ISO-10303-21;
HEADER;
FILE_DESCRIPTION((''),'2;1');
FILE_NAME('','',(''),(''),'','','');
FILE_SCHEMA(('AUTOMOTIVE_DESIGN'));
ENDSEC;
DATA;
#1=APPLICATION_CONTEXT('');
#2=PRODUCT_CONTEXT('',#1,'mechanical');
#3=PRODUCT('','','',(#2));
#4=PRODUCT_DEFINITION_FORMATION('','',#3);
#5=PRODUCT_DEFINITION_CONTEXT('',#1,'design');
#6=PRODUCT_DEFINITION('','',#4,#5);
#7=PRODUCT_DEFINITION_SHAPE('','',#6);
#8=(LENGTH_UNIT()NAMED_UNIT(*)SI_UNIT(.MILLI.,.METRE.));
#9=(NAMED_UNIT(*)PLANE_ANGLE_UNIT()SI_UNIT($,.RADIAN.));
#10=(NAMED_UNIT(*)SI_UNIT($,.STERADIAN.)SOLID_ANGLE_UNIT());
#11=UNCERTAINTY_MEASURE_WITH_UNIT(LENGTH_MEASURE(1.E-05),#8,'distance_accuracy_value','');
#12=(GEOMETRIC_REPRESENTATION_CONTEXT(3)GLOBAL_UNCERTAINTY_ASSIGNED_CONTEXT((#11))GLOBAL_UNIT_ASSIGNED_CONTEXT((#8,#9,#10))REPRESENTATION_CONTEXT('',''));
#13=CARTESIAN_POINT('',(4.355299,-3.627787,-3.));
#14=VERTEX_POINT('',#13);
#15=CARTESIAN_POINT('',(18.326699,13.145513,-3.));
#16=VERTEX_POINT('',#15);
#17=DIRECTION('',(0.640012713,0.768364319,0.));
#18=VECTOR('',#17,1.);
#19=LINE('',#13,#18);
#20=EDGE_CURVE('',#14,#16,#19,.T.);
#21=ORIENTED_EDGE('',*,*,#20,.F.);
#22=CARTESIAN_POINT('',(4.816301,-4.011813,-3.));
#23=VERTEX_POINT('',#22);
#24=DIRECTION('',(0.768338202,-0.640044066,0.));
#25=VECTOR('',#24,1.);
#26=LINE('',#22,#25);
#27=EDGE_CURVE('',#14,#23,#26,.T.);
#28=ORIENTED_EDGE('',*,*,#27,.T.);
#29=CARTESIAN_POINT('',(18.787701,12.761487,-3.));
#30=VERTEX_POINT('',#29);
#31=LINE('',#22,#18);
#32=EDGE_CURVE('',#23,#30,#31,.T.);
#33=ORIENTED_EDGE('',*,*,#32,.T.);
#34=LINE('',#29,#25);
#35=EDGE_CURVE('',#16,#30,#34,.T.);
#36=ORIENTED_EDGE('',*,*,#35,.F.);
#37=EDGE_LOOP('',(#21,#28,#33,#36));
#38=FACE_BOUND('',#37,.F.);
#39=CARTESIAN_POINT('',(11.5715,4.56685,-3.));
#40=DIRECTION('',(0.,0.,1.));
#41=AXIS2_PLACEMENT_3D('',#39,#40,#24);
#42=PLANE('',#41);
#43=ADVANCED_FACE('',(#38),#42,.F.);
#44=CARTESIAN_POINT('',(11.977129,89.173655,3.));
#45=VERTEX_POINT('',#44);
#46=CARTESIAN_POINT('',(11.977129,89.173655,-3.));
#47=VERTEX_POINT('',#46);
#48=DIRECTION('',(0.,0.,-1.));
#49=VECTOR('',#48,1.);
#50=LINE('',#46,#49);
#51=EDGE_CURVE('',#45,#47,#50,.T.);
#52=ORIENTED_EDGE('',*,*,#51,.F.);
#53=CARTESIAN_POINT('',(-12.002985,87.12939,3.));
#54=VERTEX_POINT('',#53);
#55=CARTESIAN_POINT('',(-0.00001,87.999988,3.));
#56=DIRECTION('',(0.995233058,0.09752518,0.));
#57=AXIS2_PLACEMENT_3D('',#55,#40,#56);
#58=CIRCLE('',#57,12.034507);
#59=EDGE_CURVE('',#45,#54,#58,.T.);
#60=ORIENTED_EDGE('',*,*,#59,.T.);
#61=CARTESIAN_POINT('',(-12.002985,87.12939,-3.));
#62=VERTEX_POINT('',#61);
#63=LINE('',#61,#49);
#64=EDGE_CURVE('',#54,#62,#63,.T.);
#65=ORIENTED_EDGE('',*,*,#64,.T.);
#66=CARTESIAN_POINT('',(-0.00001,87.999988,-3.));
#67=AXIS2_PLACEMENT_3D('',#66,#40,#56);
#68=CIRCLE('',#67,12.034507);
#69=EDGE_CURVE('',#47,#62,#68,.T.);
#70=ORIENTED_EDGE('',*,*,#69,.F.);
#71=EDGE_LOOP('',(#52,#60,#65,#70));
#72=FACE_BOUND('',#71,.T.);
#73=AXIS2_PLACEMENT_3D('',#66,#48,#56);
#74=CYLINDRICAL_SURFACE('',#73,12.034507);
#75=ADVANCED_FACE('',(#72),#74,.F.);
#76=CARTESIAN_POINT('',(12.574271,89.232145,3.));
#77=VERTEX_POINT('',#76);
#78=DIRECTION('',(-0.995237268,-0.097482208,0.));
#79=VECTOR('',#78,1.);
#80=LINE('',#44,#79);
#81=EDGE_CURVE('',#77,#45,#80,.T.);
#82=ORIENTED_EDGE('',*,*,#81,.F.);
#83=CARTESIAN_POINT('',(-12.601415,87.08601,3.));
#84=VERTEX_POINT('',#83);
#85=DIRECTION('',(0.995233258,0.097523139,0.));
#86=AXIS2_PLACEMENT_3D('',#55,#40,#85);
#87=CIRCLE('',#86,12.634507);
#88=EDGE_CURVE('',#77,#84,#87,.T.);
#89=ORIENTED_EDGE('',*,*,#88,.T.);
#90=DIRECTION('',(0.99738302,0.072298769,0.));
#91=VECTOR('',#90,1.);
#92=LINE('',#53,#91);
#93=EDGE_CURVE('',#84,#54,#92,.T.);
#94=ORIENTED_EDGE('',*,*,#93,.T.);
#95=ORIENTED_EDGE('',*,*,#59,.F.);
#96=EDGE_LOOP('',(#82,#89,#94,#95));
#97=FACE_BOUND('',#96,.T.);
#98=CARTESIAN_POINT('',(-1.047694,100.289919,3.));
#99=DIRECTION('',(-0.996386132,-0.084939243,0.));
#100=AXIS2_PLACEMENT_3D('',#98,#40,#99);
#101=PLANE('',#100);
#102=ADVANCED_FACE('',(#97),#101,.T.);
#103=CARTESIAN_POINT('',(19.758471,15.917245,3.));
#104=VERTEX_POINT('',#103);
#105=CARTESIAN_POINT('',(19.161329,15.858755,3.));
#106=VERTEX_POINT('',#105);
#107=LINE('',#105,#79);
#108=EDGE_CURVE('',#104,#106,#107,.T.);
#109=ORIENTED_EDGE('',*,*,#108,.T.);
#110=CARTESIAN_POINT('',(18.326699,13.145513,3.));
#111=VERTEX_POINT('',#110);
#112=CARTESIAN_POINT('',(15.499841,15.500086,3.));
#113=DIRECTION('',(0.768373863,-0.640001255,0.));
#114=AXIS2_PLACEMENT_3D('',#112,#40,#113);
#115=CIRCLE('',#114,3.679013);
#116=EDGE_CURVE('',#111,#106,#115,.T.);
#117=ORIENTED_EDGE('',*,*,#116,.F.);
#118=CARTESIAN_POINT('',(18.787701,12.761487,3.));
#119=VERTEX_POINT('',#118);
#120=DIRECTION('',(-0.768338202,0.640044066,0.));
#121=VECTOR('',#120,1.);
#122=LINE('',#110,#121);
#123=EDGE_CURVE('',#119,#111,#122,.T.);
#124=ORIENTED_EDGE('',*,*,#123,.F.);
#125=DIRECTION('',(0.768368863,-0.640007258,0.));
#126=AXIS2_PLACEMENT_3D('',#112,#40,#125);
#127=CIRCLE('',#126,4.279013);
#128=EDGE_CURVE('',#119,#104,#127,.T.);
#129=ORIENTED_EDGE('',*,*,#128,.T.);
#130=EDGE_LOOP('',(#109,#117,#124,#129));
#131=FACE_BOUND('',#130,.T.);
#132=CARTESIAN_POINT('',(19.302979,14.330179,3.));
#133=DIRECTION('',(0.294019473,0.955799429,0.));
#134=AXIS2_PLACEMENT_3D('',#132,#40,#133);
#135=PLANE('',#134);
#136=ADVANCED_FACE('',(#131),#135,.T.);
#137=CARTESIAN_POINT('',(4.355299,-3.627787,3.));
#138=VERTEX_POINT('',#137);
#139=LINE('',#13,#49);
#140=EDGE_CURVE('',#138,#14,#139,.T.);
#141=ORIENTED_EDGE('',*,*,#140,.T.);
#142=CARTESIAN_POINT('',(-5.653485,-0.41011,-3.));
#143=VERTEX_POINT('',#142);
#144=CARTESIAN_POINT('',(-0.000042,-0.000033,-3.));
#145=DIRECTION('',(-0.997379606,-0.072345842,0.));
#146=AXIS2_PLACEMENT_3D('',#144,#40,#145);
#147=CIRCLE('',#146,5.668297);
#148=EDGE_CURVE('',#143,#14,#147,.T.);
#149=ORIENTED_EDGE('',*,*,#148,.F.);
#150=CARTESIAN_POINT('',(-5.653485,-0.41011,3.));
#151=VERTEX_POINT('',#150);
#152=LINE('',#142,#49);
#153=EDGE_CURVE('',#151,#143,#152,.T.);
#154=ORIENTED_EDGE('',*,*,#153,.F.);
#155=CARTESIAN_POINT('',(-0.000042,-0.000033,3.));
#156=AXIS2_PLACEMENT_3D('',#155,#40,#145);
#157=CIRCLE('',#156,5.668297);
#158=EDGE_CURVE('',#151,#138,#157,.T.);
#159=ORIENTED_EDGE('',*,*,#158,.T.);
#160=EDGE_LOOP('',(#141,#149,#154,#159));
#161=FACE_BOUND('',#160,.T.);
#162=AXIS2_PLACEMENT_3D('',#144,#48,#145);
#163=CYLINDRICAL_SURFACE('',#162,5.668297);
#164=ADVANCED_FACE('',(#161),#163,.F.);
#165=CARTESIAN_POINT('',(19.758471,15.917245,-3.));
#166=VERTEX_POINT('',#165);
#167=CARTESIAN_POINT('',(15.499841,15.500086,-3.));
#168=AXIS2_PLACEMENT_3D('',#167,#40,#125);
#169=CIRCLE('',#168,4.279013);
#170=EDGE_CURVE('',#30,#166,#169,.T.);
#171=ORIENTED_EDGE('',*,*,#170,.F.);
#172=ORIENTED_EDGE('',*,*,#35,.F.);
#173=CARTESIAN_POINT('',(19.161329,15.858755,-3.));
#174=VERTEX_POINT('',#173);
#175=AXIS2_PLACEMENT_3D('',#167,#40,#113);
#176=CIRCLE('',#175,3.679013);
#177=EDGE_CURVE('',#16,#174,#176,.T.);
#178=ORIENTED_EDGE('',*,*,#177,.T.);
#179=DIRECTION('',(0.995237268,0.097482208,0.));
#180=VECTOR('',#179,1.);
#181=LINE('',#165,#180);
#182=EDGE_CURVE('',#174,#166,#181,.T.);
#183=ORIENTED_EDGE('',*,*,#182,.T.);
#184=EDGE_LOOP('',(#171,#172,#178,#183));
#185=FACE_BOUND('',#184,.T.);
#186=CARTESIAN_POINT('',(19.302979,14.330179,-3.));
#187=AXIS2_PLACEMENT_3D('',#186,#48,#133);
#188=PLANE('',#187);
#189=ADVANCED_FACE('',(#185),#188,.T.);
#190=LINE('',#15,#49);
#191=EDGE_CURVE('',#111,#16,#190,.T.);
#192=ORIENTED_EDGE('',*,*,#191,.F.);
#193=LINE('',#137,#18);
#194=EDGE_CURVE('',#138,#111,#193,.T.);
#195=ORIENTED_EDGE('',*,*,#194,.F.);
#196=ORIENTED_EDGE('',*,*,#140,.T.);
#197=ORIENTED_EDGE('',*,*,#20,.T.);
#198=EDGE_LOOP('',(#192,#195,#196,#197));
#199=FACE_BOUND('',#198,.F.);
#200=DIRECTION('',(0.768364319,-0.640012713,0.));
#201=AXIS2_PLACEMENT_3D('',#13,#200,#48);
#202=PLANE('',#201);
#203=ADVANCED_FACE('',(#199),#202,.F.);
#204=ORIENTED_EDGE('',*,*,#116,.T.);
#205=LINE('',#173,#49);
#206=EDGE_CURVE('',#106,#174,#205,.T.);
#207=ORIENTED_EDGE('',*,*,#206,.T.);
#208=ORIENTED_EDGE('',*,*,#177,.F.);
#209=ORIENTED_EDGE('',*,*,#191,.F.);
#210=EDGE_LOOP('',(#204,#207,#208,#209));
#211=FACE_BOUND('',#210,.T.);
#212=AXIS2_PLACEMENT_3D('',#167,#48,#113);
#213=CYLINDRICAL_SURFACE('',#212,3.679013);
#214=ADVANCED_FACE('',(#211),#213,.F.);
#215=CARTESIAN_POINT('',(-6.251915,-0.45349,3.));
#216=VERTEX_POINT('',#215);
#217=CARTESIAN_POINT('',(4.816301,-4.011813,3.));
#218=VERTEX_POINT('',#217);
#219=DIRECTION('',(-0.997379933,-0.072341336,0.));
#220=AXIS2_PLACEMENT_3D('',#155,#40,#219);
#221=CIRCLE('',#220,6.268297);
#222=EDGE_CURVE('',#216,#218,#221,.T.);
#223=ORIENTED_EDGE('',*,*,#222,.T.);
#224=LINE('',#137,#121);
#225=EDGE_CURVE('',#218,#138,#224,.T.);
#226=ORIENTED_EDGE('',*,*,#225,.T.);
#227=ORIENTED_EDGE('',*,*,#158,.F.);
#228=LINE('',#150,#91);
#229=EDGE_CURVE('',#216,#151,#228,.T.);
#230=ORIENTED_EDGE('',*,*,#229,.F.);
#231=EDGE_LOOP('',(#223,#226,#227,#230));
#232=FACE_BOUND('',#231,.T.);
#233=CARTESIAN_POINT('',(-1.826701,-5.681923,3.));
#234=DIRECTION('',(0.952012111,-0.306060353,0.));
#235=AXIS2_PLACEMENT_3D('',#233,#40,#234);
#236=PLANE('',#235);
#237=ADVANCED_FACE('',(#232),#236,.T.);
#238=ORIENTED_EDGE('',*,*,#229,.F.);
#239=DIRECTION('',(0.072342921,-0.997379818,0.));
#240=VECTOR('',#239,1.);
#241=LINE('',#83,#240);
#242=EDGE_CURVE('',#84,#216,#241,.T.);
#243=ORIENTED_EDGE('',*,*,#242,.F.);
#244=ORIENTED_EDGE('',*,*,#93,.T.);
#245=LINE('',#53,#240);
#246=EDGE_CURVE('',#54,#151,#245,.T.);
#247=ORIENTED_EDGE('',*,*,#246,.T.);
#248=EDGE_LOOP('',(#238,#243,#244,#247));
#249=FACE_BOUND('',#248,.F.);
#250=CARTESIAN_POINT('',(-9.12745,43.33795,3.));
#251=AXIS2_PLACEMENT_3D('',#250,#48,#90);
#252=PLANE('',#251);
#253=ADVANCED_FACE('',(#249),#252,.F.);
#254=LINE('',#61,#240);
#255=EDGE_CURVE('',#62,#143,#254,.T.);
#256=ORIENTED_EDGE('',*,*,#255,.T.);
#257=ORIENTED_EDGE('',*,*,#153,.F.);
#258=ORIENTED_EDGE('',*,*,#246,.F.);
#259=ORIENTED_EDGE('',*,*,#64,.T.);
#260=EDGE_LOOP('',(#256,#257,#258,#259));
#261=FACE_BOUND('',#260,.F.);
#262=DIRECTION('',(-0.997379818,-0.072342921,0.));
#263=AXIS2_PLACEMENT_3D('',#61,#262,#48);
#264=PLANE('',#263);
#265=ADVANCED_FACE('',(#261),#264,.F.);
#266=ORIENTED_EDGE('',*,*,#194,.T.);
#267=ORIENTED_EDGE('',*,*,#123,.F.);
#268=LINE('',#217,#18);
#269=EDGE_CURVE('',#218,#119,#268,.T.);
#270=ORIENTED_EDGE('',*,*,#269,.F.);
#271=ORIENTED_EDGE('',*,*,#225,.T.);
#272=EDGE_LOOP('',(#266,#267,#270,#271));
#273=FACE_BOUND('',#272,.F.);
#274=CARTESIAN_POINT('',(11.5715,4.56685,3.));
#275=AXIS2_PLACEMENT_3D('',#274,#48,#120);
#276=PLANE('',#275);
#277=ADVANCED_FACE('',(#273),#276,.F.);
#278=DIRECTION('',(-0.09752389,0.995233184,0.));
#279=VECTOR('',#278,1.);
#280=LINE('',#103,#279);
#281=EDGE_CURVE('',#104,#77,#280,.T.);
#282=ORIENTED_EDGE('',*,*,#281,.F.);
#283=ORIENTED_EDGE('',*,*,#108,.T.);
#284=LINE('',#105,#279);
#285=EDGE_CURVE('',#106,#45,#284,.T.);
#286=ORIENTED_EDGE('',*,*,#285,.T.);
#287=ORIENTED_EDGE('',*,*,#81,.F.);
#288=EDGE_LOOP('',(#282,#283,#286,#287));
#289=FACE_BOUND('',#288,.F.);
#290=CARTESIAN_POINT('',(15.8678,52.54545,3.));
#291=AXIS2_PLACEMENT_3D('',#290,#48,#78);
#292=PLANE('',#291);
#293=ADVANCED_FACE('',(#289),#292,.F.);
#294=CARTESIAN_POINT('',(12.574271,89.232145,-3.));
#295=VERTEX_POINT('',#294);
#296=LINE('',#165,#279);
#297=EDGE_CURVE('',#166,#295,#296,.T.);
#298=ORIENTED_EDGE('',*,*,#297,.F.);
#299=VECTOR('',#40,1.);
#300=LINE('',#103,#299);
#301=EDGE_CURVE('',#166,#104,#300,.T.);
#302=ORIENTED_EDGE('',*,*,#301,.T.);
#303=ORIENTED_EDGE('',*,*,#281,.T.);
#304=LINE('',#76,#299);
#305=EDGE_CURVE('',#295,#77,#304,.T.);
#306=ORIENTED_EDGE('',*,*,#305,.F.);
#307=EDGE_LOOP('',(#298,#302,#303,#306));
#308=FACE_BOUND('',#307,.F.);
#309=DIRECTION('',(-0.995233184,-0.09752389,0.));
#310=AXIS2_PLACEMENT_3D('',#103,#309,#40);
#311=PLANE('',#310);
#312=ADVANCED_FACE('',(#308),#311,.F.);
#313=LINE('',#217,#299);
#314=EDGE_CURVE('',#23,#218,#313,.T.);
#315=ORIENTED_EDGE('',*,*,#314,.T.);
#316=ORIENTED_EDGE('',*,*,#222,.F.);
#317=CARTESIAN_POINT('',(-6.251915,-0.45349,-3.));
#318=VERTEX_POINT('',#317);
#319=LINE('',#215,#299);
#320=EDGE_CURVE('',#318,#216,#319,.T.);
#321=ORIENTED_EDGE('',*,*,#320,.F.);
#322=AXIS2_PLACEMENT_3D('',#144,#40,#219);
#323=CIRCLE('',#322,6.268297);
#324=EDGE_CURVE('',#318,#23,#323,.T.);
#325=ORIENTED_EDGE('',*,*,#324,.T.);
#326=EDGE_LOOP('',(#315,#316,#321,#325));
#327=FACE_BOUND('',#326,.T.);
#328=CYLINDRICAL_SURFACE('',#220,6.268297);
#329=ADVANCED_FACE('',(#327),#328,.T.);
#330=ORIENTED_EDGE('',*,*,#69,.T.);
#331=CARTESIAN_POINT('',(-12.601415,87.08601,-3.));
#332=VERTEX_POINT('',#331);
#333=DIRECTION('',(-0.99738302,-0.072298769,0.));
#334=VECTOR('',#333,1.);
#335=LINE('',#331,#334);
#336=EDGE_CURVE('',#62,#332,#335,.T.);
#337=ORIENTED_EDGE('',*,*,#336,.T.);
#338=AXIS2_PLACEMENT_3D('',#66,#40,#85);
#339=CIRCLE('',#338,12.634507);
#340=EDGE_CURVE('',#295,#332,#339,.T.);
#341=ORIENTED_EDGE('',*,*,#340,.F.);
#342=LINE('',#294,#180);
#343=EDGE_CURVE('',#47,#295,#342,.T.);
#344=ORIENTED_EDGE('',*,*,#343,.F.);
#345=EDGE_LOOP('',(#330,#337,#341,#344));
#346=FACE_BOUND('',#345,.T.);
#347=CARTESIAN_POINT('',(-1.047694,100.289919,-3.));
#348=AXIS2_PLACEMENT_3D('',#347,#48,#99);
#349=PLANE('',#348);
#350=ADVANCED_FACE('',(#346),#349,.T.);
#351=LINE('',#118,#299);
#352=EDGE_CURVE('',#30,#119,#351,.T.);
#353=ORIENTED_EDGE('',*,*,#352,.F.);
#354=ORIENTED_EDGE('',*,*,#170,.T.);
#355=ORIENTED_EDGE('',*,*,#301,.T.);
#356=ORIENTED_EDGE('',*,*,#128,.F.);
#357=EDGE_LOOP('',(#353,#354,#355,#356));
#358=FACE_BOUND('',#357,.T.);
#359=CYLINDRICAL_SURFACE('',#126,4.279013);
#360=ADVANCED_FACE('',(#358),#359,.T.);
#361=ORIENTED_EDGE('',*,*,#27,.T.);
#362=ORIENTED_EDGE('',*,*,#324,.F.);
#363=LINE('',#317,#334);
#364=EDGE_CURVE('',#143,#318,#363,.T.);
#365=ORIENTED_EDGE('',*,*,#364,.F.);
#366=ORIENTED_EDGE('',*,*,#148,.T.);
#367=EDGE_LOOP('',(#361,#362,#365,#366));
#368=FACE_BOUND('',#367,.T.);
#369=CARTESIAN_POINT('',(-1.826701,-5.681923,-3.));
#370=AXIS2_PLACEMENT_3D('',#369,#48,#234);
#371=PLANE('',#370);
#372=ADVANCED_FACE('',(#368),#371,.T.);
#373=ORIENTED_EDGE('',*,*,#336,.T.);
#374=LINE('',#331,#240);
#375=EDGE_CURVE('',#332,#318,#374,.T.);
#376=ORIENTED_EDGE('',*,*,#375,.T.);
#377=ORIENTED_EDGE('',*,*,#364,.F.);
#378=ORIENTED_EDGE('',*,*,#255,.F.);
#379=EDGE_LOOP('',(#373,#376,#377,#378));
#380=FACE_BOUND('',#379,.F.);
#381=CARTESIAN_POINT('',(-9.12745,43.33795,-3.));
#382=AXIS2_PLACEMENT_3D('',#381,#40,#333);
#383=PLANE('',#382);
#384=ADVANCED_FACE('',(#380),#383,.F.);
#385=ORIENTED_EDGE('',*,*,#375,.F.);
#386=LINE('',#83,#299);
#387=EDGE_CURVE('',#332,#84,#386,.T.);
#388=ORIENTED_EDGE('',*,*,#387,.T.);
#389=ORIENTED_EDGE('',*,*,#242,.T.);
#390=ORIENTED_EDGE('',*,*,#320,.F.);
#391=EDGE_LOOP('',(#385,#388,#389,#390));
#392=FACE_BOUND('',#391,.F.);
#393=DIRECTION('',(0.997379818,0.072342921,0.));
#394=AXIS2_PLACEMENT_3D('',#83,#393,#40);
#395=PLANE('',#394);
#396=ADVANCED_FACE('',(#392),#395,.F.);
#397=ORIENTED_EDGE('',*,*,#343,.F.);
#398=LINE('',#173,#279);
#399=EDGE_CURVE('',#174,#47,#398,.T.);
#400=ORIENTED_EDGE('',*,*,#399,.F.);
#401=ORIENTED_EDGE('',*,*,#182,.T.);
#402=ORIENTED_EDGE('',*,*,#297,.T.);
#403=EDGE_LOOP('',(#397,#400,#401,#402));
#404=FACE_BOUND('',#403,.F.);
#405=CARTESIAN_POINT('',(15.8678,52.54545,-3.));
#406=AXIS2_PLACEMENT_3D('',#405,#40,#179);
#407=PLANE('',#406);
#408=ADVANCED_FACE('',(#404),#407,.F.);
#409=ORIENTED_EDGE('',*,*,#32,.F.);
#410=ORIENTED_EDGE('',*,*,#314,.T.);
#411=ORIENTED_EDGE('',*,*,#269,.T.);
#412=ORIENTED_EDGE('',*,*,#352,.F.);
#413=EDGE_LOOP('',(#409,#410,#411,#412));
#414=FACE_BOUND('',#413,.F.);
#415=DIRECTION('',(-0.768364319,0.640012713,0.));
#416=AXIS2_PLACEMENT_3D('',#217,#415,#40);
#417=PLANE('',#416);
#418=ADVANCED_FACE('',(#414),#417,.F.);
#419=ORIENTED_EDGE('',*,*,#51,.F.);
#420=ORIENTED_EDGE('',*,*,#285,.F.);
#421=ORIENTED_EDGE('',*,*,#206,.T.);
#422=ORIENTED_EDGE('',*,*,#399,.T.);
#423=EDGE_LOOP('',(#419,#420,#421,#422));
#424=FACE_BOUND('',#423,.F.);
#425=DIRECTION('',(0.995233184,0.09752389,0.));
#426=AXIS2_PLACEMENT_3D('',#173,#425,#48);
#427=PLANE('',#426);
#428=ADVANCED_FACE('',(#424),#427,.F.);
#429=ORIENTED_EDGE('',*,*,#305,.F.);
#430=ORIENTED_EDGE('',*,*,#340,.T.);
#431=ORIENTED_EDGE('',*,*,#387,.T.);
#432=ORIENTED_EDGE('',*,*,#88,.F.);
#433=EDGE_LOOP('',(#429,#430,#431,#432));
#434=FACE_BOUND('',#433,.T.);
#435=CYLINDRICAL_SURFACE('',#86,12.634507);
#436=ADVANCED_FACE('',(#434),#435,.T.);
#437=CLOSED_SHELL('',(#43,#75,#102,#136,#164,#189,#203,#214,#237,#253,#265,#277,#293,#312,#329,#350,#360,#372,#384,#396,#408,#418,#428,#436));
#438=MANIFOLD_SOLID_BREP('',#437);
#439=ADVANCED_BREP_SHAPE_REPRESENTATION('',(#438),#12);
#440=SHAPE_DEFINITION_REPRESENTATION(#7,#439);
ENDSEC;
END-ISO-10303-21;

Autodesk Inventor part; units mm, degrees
sketch "Sketch Path" plane through (0, 0, 0) normal (0, 0, 1) x (1, 0, 0)
  arc A0 (-5.9527, -0.4318) -> (4.5858, -3.8198) centre (0, 0) ccw
  arc A1 (18.5572, 12.9535) -> (19.4599, 15.888) centre (15.5, 15.5) ccw
  arc A2 (12.2757, 89.2029) -> (-12.3022, 87.1077) centre (0, 88) ccw
  line L0 (-12.3022, 87.1077) -> (-5.9527, -0.4318)
  line L1 (4.5858, -3.8198) -> (18.5572, 12.9535)
  line L2 (19.4599, 15.888) -> (12.2757, 89.2029)
ref_plane "Cross Section Plane" through (-5.9527, -0.4318, 0) normal (-0.0723, 0.9974, 0) x (0, 0, 1)
ref_plane "Work Plane2" through (0, 0, 0) normal (-1, 0, 0) x (0, 0, 1)
ref_plane "Work Plane3" through (15.5, 15.5, 0) normal (0.2665, 0.9638, 0) x (0, 0, 1)
ref_plane "Work Plane4" through (0, 88, 0) normal (-0.286, 0.9582, 0) x (0, 0, 1)
sketch "Cross Section" plane through (-5.9527, -0.4318, 0) normal (-0.0723, 0.9974, 0) x (0, 0, 1)
  line L0 (-3, 0.3) -> (3, 0.3)
  line L1 (3, 0.3) -> (3, -0.3)
  line L2 (3, -0.3) -> (-3, -0.3)
  line L3 (-3, -0.3) -> (-3, 0.3)
  line L4 (-3, 0) -> (3, 0) construction
  point P0 (0, 0)
  point P1 (0, 0)
  dimension "d0" = 6
  dimension "d4" = 0.3
  dimension "d5" = 0.3
sweep "Belt" add profiles "Cross Section" path "Sketch Path"
equation "\"d0\" = da_B"
equation "\"d4\" = da_a"
equation "\"d5\" = da_a2"
equation "\"da_B\" = 6"
equation "\"da_pb\" = 2.5"
equation "\"da_L\" = 239.02838"
equation "\"da_a\" = 0.3"
equation "\"da_S\" = 1.5"
equation "\"da_Beta\" = 20deg"
equation "\"da_Ht\" = 0.7"
equation "\"da_H\" = 1.3"
equation "\"da_a2\" = 0.3"
properties part number "Synchronous Belt" material "Rubber"
